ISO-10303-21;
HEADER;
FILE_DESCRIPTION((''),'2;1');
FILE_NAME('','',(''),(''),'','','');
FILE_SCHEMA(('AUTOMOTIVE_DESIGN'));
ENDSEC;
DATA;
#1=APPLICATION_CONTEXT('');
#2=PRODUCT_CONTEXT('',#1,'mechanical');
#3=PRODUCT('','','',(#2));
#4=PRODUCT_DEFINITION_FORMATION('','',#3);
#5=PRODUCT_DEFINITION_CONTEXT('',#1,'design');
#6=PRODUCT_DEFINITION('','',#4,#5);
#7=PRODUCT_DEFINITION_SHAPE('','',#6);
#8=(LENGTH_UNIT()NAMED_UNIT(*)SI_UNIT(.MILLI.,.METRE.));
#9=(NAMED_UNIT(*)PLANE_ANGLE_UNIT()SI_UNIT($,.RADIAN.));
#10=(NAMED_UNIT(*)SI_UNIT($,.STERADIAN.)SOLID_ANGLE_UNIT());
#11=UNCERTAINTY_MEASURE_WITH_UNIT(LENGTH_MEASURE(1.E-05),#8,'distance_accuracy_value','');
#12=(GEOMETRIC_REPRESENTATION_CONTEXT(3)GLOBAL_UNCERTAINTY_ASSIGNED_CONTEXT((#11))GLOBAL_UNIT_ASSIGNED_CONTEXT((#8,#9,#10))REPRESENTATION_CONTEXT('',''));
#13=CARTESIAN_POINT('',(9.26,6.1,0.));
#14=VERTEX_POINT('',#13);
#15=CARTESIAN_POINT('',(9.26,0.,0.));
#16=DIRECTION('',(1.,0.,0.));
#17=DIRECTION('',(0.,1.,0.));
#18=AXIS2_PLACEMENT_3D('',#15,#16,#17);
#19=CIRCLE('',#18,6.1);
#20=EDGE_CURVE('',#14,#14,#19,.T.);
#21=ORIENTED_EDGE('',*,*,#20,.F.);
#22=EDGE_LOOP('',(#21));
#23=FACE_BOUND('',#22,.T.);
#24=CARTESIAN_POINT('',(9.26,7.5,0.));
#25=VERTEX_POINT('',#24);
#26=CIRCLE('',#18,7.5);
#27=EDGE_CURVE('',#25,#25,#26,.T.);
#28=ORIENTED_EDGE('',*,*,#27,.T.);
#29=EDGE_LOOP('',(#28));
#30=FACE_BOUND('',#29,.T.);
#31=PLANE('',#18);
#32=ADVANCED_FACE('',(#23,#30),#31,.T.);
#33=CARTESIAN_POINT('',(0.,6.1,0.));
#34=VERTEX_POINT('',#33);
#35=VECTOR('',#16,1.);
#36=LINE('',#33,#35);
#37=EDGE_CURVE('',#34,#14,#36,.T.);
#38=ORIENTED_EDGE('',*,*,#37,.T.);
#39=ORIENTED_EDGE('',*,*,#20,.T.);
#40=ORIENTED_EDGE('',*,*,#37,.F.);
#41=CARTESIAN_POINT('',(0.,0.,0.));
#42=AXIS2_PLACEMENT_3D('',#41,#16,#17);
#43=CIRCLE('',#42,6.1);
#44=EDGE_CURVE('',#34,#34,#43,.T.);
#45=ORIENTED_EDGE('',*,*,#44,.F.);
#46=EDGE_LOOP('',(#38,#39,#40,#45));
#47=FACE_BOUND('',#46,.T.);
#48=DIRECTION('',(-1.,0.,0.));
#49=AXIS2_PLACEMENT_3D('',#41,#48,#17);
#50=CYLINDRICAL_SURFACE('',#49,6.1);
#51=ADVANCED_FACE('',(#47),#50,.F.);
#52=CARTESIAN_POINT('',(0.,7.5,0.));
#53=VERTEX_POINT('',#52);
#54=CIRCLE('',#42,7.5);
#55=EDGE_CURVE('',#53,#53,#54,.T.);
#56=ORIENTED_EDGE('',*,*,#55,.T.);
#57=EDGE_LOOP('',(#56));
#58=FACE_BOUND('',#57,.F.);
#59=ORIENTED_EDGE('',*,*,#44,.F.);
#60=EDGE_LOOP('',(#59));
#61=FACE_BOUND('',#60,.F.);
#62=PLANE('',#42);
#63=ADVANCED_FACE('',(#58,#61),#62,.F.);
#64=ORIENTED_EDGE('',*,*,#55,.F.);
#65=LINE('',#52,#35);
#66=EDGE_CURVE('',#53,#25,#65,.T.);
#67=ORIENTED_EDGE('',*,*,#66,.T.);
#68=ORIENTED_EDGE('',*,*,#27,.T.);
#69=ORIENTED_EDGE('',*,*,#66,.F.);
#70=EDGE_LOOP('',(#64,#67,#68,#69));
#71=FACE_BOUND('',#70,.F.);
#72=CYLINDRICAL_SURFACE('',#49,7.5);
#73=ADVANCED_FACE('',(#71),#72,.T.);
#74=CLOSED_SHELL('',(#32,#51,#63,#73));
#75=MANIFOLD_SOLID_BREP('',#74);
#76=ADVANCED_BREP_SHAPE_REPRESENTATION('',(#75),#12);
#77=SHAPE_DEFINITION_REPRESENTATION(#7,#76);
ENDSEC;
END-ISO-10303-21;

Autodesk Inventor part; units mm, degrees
ref_plane "YZ Plane" through (0, 0, 0) normal (1, 0, 0) x (0, 1, 0)
ref_plane "XZ Plane" through (0, 0, 0) normal (0, 1, 0) x (-1, 0, 0)
ref_plane "XY Plane" through (0, 0, 0) normal (0, 0, 1) x (1, 0, 0)
sketch "スケッチ1" plane through (0, 0, 0) normal (1, 0, 0) x (0, 1, 0)
  circle A0 centre (0, 0) radius 6.1
  circle A1 centre (0, 0) radius 7.5
  dimension "d0" = 12.2
  dimension "d1" = 15
extrude "押し出し1" add sketch "スケッチ1" along normal blind 9.26
properties part number "dribl-v1-3DP-spesa-2" material "ABS プラスチック"
